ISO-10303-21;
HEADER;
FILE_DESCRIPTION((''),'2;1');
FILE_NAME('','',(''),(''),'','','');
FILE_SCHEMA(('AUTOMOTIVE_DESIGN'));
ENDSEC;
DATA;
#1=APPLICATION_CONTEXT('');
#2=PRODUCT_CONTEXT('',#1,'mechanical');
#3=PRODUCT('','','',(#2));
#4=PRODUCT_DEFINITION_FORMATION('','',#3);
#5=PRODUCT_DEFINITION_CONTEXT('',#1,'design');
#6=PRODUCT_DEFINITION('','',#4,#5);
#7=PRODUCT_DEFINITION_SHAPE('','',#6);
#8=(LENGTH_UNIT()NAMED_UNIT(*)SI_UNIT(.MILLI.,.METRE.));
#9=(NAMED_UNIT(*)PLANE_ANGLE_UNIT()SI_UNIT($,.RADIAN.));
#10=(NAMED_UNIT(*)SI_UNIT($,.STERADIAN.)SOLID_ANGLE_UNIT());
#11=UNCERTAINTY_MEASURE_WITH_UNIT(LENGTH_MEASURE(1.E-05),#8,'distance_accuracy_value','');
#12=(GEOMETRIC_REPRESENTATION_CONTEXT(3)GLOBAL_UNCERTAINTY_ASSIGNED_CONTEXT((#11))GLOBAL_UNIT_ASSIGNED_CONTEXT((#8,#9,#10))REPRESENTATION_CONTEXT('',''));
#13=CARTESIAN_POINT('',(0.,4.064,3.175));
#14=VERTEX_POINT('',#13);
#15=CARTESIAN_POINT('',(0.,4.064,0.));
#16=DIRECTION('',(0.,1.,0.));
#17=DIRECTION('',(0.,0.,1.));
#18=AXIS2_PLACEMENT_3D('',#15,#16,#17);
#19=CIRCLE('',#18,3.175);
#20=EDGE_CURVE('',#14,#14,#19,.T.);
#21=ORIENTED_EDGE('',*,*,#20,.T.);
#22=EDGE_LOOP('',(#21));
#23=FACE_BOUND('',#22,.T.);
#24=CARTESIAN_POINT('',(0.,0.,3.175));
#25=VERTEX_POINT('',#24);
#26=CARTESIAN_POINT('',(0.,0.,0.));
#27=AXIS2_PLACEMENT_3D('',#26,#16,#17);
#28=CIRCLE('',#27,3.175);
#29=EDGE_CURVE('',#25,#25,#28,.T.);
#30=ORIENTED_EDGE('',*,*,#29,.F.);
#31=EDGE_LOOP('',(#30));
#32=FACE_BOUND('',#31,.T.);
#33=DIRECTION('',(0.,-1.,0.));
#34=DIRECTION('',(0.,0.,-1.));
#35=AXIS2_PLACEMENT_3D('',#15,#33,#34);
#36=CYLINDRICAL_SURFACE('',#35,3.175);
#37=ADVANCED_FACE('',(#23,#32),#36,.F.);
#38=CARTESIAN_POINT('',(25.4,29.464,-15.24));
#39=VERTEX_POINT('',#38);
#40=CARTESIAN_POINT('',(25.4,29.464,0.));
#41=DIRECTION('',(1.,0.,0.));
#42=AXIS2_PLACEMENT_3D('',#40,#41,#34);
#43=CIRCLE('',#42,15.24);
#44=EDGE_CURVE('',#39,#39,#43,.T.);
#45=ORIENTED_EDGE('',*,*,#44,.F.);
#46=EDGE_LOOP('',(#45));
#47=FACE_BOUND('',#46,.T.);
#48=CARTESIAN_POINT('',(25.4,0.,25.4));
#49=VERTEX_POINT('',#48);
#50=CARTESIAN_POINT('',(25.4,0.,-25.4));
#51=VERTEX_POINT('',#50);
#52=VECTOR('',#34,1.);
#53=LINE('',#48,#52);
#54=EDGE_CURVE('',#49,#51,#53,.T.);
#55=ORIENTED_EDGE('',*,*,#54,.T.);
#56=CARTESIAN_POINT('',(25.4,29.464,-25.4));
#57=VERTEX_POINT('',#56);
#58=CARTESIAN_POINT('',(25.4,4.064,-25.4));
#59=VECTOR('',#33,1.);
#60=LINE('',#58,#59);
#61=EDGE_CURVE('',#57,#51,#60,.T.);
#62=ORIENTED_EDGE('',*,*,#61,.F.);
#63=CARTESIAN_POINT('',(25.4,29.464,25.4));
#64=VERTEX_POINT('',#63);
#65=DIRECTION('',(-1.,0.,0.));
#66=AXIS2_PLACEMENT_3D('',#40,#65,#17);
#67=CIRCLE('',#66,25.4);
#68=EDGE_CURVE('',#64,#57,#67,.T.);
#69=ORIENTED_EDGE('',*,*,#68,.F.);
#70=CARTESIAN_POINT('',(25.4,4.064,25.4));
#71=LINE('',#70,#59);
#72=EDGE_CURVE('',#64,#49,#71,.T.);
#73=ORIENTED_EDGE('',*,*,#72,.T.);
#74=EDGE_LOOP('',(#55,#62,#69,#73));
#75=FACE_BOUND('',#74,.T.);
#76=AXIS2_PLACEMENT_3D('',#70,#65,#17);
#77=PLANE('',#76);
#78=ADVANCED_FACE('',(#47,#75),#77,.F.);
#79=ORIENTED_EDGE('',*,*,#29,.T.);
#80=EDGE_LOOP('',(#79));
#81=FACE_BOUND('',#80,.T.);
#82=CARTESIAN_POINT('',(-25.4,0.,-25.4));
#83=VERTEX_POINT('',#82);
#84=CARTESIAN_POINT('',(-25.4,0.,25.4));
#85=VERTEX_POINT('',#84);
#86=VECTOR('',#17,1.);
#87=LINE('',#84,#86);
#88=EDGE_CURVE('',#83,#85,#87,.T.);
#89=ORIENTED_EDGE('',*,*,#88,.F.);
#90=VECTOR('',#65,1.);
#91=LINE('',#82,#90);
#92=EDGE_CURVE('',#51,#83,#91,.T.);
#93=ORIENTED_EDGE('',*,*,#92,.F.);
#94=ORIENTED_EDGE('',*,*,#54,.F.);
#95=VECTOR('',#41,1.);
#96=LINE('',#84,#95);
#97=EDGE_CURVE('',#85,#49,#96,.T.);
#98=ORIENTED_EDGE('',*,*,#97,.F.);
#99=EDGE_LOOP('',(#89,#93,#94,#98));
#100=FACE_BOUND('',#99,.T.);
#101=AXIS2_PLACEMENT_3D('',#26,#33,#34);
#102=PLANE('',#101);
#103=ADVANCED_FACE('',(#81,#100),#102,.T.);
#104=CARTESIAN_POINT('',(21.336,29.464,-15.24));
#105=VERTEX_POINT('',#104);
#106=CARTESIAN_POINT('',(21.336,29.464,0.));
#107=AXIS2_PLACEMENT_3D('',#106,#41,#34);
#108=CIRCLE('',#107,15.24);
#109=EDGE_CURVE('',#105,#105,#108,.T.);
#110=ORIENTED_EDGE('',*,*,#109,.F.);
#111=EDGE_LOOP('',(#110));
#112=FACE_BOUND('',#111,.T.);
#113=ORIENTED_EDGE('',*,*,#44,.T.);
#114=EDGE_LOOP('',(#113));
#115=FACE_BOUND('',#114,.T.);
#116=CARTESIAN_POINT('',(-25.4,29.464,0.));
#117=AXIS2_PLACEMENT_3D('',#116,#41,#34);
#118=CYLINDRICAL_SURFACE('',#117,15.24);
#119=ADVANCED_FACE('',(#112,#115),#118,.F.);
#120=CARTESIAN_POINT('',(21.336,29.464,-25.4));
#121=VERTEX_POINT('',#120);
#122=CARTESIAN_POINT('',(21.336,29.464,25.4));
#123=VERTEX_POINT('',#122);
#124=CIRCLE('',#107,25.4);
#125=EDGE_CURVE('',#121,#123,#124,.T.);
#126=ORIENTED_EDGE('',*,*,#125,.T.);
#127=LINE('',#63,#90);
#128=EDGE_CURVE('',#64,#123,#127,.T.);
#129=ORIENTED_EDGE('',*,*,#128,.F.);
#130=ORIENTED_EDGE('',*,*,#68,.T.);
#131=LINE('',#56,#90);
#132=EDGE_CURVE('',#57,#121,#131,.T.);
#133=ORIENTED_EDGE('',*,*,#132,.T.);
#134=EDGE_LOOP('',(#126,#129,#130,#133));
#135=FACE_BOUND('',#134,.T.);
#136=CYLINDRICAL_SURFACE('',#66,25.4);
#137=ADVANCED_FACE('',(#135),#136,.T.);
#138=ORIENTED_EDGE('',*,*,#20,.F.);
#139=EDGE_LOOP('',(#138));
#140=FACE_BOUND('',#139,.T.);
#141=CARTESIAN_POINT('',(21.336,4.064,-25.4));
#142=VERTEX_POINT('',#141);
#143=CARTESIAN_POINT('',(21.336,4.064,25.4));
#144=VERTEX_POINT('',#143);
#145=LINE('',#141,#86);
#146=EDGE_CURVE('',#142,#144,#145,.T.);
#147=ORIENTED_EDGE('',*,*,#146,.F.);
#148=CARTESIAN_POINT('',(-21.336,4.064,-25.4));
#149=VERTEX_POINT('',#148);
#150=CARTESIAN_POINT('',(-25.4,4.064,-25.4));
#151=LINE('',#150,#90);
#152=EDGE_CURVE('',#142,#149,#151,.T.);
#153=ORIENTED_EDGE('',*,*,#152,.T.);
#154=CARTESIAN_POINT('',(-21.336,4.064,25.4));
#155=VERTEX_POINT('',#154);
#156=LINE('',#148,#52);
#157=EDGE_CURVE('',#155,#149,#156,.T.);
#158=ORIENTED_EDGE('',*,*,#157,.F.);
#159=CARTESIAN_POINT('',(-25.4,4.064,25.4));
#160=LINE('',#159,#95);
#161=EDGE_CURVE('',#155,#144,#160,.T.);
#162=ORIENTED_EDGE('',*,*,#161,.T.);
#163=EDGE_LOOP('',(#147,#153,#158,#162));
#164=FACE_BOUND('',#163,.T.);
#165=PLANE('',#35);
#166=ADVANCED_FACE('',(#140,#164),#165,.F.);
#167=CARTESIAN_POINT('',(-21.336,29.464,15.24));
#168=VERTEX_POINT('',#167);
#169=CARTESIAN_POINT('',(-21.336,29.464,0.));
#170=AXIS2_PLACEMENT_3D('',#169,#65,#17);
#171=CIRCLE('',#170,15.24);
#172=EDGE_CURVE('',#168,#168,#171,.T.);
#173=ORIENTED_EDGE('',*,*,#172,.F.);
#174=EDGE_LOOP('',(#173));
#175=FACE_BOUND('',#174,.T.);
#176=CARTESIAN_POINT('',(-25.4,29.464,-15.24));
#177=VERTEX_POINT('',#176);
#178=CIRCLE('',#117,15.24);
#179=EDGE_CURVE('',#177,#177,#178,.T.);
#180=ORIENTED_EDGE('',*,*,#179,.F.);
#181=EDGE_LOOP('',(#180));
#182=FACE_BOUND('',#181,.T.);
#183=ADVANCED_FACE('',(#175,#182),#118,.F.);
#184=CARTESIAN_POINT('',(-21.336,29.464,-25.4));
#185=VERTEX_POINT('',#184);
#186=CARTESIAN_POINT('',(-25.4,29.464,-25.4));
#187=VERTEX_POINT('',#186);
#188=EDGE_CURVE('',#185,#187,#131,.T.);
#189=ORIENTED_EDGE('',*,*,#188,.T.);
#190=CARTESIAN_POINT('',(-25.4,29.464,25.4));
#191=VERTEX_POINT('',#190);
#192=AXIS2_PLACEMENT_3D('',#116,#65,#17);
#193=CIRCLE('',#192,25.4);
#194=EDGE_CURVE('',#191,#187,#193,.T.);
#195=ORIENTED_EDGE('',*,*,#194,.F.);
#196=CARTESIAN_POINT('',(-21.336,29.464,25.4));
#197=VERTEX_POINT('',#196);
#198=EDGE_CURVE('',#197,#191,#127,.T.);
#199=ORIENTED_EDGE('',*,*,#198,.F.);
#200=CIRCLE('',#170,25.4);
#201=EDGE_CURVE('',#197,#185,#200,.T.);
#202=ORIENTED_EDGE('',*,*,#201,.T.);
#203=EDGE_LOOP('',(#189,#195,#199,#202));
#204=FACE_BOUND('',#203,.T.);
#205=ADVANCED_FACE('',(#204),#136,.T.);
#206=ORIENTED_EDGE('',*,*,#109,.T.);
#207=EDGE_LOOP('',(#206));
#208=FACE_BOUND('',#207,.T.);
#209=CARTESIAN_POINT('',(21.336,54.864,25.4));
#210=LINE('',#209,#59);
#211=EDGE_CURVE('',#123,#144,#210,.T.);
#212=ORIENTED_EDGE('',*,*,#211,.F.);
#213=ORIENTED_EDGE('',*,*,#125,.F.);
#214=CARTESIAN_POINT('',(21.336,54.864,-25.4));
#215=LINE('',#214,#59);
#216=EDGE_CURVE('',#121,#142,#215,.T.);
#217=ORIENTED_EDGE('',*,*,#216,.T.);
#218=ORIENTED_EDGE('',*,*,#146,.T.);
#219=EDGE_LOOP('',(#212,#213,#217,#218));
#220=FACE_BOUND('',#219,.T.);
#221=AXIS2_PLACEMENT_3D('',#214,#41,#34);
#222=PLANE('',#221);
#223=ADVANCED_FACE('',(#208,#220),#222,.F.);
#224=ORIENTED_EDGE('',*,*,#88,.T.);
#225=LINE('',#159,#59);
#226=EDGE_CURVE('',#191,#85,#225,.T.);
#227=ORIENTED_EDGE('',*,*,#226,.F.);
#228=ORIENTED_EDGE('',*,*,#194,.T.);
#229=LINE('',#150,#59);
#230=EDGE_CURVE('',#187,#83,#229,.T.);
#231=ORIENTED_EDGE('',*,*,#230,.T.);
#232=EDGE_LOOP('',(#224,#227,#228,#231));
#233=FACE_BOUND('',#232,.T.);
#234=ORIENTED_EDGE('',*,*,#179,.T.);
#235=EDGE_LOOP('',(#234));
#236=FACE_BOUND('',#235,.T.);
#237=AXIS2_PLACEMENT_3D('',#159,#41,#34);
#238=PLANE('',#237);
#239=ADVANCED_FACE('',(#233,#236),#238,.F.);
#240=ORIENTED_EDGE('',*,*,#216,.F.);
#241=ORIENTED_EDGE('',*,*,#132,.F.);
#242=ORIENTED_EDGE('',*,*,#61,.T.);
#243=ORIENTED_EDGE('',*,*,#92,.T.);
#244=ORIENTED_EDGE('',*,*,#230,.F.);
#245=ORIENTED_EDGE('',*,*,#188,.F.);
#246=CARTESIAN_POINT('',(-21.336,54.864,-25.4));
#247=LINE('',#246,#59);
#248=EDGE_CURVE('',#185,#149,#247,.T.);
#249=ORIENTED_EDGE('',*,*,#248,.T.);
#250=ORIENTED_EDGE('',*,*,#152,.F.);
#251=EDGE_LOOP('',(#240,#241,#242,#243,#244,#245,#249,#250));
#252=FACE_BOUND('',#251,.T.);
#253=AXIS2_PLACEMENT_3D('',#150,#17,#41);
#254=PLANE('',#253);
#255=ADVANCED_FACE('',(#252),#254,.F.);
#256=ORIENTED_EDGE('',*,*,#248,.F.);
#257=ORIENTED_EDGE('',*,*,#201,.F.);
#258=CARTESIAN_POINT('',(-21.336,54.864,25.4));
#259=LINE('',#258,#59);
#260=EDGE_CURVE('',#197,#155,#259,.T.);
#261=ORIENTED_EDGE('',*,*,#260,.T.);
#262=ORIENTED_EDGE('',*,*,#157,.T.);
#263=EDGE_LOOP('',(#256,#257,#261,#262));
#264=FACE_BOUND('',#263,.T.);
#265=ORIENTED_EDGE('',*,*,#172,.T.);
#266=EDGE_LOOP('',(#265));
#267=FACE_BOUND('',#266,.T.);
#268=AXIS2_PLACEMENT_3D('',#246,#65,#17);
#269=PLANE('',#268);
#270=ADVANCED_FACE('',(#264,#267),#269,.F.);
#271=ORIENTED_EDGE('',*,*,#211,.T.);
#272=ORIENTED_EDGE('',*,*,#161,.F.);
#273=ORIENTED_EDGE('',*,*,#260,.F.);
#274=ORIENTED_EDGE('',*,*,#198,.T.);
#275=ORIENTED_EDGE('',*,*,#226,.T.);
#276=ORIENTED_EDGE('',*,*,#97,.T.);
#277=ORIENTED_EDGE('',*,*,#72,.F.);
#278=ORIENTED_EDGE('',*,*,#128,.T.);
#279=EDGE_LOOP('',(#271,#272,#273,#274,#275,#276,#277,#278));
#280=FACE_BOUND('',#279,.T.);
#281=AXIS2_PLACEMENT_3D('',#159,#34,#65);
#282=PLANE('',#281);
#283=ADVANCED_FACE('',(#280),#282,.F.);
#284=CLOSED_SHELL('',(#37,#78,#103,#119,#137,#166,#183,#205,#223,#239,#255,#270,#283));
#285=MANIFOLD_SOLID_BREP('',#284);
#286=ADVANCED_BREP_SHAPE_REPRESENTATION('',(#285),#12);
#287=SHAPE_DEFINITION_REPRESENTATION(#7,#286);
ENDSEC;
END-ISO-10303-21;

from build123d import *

# Parameters (mm, degrees)
SKETCH1_W           = 50.8
SKETCH1_H           = 50.8
SKETCH1_R           = 3.175
BOSS_EXTRUDE1_DEPTH = 4.064
SKETCH2_W           = 4.064
SKETCH2_H           = 50.8
BOSS_EXTRUDE2_DEPTH = 50.8
SKETCH3_R           = 15.24
CUT_EXTRUDE1_DEPTH  = 51.8
CUT_EXTRUDE2_DEPTH  = 51.8


with BuildPart() as part:
    # Sketch1 → Boss-Extrude1 (new body)
    with BuildSketch(Plane(origin=(0, 0, 0), x_dir=(1, 0, 0), z_dir=(0, 1, 0))):
        Rectangle(SKETCH1_W, SKETCH1_H)
        Circle(SKETCH1_R, mode=Mode.SUBTRACT)
    extrude(amount=BOSS_EXTRUDE1_DEPTH)

    # Sketch2 → Boss-Extrude2 (add)
    with BuildSketch(Plane(origin=(0, 4.064, 0), x_dir=(1, 0, 0), z_dir=(0, 1, 0))):
        with Locations((-23.368, 0)):
            Rectangle(SKETCH2_W, SKETCH2_H)
        with Locations((23.368, 0)):
            Rectangle(SKETCH2_W, SKETCH2_H)
    extrude(amount=BOSS_EXTRUDE2_DEPTH)

    # Sketch3 → Cut-Extrude1 (cut, through all)
    with BuildSketch(Plane(origin=(25.4, 0, 0), x_dir=(0, 0, -1), z_dir=(1, 0, 0))):
        with Locations((0, 29.464)):
            Circle(SKETCH3_R)
    extrude(amount=-CUT_EXTRUDE1_DEPTH, mode=Mode.SUBTRACT)

    # Sketch4 → Cut-Extrude2 (cut, through all)
    with BuildSketch(Plane.ZY.offset(25.4)):
        with BuildLine():
            ThreePointArc((-25.4, 29.464), (-17.960512262, 47.424512222), (-5.6e-08, 54.864))
            Line((-5.6e-08, 54.864), (-25.4, 54.864))
            Line((-25.4, 54.864), (-25.4, 29.464))
        make_face()
        with BuildLine():
            ThreePointArc((-5.6e-08, 54.864), (17.960512222, 47.424512262), (25.4, 29.464))
            Line((25.4, 29.464), (25.4, 54.864))
            Line((25.4, 54.864), (-5.6e-08, 54.864))
        make_face()
    extrude(amount=-CUT_EXTRUDE2_DEPTH, mode=Mode.SUBTRACT)


solid = part.part
